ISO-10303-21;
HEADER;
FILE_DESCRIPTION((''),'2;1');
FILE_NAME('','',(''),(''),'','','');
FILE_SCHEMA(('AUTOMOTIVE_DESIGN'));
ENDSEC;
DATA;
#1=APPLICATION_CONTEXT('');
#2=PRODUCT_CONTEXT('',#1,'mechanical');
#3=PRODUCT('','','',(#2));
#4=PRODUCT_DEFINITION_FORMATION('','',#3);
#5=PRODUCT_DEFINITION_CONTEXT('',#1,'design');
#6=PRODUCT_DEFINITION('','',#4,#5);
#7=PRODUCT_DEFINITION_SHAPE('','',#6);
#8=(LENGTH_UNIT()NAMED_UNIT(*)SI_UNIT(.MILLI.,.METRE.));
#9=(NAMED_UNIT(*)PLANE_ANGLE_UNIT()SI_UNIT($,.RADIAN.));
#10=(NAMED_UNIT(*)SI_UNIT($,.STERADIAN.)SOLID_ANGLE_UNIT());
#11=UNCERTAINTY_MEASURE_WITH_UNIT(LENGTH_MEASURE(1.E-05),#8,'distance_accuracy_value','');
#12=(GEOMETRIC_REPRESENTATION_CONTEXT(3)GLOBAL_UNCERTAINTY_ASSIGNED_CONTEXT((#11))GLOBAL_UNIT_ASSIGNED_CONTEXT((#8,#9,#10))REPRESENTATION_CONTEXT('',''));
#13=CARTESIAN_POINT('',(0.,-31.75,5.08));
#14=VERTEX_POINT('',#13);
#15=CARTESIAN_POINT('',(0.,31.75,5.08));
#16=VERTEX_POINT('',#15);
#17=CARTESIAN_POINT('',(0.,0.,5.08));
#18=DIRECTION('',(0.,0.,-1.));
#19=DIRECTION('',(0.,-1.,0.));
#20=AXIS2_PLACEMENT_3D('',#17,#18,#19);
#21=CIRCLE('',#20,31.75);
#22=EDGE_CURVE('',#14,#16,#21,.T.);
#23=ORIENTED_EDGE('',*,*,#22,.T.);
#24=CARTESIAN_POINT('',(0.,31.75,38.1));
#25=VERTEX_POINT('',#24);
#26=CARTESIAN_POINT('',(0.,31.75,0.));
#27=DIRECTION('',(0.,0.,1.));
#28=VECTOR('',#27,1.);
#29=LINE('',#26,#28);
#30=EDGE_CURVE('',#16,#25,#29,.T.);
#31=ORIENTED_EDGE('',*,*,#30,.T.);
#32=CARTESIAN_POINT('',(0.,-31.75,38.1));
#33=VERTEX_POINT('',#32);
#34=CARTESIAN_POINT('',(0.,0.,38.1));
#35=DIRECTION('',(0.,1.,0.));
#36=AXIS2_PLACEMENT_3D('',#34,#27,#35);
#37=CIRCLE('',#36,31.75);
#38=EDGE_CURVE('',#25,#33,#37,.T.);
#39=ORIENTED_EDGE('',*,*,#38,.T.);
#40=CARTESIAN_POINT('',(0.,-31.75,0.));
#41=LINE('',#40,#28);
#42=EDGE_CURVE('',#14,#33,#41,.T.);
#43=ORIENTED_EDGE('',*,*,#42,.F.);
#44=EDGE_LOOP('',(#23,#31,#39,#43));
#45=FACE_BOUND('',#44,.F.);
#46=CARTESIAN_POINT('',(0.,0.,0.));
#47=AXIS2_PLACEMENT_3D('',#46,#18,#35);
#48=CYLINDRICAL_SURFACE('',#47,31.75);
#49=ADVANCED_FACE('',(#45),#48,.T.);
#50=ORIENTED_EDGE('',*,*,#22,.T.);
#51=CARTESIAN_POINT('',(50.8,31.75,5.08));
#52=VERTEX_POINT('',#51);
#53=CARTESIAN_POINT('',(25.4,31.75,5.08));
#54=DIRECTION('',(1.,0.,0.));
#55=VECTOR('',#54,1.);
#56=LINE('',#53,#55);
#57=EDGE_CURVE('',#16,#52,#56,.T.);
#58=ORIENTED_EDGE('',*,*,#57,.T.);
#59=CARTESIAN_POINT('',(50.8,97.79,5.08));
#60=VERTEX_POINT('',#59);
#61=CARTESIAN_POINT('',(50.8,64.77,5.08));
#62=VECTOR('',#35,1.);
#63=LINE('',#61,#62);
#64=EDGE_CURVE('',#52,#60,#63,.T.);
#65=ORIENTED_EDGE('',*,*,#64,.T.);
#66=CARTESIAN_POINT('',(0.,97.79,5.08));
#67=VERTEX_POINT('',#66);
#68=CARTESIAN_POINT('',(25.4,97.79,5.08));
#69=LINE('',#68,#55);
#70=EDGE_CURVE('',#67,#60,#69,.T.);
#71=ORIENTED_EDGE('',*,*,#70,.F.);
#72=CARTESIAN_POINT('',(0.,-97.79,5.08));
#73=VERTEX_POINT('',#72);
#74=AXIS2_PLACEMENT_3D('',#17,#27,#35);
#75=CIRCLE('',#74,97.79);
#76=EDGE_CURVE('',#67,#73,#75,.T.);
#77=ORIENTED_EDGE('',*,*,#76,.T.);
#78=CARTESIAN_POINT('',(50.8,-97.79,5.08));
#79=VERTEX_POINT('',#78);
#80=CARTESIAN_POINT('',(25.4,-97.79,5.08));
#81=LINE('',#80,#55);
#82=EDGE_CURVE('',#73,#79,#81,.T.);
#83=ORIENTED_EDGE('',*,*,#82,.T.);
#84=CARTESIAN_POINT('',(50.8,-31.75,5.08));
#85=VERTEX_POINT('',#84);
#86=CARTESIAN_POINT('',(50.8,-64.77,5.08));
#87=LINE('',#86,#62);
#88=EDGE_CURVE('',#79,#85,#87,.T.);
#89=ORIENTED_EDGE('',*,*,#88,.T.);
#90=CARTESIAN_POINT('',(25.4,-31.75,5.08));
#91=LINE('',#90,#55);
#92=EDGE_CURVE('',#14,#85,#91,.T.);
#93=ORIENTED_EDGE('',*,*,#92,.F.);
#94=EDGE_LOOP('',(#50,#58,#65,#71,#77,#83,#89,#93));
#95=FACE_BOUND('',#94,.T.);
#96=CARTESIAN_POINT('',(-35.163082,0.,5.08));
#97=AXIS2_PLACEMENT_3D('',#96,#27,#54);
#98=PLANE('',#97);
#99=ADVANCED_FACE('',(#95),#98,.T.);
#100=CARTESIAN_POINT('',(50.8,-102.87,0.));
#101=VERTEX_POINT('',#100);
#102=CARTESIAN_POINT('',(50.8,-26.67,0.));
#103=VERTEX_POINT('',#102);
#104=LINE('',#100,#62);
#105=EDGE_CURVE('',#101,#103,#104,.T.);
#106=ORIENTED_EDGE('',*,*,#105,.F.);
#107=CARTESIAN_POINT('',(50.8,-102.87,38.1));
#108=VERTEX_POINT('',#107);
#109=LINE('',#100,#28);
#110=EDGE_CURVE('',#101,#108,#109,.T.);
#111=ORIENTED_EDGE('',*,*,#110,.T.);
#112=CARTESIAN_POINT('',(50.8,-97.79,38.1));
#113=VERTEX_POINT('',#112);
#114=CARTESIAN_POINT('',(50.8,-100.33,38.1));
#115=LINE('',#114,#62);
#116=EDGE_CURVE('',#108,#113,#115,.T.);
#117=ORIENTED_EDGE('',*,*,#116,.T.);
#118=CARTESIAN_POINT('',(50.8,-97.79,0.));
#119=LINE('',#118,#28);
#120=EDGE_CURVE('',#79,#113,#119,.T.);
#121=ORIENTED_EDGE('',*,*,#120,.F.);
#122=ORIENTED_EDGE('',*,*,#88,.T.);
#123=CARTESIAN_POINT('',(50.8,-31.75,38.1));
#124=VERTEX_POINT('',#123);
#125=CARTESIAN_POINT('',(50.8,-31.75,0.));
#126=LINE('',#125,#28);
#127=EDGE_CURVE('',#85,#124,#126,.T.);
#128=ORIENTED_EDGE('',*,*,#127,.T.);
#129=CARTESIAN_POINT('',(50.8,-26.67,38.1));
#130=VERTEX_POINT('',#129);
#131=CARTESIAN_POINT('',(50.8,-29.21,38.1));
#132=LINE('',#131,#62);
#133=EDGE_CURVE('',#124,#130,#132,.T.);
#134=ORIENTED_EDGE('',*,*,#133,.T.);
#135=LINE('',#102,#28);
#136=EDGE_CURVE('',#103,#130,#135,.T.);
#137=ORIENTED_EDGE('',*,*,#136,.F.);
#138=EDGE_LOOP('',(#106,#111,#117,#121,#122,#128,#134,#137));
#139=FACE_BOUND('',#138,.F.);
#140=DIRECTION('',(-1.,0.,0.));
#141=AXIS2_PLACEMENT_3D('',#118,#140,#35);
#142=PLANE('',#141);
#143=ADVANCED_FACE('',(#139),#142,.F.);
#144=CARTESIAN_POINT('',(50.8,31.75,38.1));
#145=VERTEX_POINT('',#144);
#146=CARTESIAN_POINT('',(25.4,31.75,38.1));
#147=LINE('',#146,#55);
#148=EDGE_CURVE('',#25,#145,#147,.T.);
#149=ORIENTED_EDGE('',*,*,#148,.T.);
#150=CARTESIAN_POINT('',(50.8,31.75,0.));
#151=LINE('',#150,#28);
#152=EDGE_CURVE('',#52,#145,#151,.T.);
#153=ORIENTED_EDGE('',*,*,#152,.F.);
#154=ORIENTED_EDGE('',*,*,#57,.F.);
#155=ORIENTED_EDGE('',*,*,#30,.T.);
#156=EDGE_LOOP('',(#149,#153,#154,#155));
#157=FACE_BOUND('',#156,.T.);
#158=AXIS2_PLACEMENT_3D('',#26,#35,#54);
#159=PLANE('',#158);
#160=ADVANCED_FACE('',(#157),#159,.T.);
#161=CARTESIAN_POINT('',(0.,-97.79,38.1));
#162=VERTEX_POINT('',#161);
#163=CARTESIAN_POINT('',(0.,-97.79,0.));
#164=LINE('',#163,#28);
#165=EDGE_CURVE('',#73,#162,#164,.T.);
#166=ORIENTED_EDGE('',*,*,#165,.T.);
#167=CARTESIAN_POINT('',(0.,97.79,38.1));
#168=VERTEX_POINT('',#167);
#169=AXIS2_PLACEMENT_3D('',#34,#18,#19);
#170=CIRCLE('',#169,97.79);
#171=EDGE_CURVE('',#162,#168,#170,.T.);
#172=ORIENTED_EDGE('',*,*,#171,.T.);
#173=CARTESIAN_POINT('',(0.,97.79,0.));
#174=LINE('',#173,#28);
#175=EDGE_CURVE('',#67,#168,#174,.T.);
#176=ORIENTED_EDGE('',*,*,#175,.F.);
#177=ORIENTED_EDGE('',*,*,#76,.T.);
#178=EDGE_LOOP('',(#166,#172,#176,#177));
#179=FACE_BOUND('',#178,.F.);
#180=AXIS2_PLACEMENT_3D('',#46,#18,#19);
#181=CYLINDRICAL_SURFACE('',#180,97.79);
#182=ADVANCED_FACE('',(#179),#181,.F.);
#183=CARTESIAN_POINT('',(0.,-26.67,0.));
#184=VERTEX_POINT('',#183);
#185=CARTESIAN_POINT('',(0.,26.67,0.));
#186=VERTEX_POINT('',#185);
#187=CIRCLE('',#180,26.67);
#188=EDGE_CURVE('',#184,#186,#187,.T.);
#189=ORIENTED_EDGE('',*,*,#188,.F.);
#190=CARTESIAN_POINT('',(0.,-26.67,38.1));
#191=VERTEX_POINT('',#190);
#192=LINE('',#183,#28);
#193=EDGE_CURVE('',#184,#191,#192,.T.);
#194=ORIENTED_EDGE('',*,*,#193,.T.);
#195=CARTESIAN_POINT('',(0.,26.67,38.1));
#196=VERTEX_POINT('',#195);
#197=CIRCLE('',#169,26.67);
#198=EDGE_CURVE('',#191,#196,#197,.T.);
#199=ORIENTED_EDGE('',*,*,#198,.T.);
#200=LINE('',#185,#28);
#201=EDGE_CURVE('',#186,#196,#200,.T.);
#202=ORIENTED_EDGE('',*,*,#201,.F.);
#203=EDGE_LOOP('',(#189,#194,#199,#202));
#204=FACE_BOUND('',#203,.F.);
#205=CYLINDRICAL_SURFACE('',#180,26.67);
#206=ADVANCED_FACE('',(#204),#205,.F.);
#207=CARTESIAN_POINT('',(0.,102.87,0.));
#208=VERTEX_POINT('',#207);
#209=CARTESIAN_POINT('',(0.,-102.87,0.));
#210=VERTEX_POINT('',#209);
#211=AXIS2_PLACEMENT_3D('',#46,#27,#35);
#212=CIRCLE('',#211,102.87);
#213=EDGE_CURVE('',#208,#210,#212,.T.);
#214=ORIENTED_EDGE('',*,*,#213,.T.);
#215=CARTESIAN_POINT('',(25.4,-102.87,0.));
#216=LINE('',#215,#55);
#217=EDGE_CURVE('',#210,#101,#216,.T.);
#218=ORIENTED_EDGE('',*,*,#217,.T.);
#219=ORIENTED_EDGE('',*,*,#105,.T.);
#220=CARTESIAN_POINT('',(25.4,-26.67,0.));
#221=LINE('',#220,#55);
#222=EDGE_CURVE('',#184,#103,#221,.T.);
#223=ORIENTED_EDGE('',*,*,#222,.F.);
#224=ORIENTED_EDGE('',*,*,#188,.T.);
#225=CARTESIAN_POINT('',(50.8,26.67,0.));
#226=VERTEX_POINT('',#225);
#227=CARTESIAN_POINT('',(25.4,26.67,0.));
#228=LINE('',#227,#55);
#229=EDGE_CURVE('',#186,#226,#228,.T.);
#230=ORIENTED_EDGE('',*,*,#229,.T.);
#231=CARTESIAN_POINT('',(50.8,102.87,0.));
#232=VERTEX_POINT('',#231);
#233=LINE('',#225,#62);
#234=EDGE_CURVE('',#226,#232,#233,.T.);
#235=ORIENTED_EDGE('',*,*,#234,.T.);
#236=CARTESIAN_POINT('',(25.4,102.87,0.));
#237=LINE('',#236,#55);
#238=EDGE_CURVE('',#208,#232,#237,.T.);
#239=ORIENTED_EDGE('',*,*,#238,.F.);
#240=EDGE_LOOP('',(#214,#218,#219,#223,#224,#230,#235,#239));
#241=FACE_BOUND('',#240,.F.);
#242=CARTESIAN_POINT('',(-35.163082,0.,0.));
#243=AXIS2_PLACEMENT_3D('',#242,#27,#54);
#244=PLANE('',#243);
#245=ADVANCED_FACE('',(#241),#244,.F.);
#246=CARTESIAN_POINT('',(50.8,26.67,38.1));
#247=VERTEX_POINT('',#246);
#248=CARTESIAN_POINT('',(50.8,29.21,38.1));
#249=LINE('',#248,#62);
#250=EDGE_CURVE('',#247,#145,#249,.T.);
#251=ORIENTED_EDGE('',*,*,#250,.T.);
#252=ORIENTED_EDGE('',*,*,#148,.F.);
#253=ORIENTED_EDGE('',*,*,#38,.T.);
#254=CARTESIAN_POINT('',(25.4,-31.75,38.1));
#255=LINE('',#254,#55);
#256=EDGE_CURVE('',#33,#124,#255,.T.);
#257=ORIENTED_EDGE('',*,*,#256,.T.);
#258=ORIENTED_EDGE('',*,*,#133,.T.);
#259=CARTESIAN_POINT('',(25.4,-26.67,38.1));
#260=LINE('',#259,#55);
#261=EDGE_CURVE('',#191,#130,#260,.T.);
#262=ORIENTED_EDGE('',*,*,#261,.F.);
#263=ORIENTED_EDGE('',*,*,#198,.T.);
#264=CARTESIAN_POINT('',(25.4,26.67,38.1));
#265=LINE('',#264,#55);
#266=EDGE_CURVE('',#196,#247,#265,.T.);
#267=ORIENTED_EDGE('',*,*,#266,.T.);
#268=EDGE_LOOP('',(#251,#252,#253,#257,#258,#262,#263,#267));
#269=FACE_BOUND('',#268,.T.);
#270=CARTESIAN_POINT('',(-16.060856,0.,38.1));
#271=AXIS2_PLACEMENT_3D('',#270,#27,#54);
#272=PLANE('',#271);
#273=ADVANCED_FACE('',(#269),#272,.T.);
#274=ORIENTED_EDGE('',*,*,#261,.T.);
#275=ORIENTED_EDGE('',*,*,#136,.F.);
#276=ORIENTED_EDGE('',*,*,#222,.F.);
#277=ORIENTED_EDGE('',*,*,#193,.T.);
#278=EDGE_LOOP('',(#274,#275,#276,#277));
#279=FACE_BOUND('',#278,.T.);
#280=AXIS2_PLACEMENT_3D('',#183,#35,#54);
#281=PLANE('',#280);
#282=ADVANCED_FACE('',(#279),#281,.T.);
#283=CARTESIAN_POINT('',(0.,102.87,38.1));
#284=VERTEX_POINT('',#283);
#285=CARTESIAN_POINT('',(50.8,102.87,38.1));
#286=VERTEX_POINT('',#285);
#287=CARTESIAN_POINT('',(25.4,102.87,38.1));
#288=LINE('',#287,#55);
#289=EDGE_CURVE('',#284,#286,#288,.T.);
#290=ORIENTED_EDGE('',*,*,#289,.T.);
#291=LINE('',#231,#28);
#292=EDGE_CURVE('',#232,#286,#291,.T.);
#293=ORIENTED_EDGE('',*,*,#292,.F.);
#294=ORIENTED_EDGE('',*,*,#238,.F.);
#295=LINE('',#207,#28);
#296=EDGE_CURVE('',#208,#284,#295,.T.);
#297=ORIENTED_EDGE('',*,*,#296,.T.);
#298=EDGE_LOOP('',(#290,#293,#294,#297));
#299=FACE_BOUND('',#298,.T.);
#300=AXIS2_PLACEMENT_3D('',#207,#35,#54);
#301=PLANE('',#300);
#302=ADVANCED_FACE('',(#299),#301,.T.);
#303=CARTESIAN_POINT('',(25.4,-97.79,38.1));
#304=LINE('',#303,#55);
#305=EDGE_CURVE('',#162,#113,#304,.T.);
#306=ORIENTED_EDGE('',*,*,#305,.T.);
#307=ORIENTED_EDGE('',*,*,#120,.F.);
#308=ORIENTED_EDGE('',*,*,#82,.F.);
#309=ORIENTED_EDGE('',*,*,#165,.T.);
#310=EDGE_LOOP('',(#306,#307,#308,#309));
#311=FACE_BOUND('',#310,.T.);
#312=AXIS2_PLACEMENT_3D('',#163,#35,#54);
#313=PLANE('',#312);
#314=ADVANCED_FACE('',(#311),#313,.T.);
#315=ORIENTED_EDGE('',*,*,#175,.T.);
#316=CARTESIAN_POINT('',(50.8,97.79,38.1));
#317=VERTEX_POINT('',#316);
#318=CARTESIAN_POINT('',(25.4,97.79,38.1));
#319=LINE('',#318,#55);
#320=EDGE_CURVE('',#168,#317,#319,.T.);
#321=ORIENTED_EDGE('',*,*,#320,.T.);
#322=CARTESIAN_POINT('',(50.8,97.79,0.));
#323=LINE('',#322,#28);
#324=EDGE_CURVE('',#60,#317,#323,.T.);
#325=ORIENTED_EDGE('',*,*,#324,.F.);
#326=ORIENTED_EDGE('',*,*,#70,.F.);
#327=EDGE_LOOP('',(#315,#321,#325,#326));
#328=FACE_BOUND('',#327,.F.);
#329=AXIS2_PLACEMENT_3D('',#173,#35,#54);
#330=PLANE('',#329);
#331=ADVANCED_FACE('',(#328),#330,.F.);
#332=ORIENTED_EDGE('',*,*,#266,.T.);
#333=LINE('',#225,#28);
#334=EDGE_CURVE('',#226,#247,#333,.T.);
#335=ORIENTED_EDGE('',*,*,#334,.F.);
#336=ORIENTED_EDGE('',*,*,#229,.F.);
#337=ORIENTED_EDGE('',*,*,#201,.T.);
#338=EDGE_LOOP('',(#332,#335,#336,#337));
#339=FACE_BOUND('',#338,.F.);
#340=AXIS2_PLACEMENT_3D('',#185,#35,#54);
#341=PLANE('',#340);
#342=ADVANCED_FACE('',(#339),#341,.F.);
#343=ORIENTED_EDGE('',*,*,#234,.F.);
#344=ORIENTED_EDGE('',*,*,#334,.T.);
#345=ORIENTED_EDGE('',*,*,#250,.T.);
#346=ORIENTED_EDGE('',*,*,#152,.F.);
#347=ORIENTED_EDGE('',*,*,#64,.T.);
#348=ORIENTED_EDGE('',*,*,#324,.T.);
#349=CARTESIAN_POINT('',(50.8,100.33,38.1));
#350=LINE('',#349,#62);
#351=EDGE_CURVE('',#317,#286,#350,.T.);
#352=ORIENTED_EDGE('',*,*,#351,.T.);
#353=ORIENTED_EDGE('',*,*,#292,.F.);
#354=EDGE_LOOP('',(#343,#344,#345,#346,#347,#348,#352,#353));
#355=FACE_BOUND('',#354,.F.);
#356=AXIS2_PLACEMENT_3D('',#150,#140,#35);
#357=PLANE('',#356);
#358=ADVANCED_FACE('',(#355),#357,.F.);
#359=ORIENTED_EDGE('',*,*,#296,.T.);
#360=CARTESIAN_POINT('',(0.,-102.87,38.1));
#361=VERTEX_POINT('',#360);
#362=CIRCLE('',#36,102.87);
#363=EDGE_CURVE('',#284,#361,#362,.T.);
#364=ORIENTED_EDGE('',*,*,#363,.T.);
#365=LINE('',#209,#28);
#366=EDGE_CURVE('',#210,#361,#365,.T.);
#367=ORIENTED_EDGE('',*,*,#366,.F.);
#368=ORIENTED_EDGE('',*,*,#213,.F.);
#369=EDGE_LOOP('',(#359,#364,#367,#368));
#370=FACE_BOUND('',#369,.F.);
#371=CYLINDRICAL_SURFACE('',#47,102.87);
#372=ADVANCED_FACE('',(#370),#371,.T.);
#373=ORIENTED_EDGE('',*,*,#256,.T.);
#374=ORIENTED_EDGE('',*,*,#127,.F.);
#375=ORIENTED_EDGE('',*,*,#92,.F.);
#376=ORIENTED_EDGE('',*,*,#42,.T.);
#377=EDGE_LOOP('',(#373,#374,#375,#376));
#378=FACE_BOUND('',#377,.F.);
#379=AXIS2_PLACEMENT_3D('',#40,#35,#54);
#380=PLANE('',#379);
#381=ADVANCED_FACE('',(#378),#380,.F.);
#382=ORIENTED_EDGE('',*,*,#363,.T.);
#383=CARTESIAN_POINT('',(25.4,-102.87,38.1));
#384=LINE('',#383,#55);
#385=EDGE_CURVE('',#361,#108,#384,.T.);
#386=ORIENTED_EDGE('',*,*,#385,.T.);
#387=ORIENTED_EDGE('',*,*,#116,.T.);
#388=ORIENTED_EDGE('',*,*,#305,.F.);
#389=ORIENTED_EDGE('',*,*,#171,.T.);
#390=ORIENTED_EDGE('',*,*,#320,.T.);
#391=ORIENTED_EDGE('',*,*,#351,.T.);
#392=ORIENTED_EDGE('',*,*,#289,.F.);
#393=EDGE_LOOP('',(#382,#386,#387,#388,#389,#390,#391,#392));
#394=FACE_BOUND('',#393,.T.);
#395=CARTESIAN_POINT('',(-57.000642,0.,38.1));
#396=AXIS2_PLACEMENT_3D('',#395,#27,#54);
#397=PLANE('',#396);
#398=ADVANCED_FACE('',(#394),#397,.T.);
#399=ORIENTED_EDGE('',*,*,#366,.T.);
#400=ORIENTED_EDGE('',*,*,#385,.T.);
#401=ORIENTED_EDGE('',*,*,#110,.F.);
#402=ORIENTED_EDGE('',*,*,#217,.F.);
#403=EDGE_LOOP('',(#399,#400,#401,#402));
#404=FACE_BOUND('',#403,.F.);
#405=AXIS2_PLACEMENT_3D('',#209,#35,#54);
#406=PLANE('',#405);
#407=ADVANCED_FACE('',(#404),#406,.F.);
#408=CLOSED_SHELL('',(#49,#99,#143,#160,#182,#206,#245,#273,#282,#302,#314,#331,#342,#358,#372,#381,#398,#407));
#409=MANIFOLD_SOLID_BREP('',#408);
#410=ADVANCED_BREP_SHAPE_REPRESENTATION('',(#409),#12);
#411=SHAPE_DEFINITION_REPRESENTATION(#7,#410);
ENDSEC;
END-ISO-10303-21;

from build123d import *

# Parameters (mm, degrees)
F0_W     = 50.8
F0_H     = 66.04
F1_DEPTH = 5.08
F0_H_2   = 5.08
F2_DEPTH = 38.1


with BuildPart() as f1:
    # F0 (on Top) → F1 (new body)
    with BuildSketch(Plane.XY):
        with BuildLine():
            ThreePointArc((0, -31.75), (-31.75, 0), (0, 31.75))
            Line((0, 31.75), (0, 97.79))
            ThreePointArc((0, 97.79), (-97.79, 0), (0, -97.79))
            Line((0, -97.79), (0, -31.75))
        make_face()
        with Locations((25.4, -64.77)):
            Rectangle(F0_W, F0_H)
        with Locations((25.4, 64.77)):
            Rectangle(F0_W, F0_H)
    extrude(amount=F1_DEPTH)

    # F0 (on Top) → F2 (join)
    with BuildSketch(Plane.XY):
        with BuildLine():
            ThreePointArc((0, -97.79), (-97.79, 0), (0, 97.79))
            Line((0, 97.79), (0, 102.87))
            ThreePointArc((0, 102.87), (-102.87, 0), (0, -102.87))
            Line((0, -102.87), (0, -97.79))
        make_face()
        with Locations((25.4, -100.33)):
            Rectangle(F0_W, F0_H_2)
        with BuildLine():
            Line((0, 26.67), (0, 31.75))
            ThreePointArc((0, 31.75), (-31.75, 0), (0, -31.75))
            Line((0, -31.75), (0, -26.67))
            ThreePointArc((0, -26.67), (-26.67, 0), (0, 26.67))
        make_face()
        with Locations((25.4, -29.21)):
            Rectangle(F0_W, F0_H_2)
        with Locations((25.4, 29.21)):
            Rectangle(F0_W, F0_H_2)
        with Locations((25.4, 100.33)):
            Rectangle(F0_W, F0_H_2)
    extrude(amount=F2_DEPTH)


solid = f1.part
